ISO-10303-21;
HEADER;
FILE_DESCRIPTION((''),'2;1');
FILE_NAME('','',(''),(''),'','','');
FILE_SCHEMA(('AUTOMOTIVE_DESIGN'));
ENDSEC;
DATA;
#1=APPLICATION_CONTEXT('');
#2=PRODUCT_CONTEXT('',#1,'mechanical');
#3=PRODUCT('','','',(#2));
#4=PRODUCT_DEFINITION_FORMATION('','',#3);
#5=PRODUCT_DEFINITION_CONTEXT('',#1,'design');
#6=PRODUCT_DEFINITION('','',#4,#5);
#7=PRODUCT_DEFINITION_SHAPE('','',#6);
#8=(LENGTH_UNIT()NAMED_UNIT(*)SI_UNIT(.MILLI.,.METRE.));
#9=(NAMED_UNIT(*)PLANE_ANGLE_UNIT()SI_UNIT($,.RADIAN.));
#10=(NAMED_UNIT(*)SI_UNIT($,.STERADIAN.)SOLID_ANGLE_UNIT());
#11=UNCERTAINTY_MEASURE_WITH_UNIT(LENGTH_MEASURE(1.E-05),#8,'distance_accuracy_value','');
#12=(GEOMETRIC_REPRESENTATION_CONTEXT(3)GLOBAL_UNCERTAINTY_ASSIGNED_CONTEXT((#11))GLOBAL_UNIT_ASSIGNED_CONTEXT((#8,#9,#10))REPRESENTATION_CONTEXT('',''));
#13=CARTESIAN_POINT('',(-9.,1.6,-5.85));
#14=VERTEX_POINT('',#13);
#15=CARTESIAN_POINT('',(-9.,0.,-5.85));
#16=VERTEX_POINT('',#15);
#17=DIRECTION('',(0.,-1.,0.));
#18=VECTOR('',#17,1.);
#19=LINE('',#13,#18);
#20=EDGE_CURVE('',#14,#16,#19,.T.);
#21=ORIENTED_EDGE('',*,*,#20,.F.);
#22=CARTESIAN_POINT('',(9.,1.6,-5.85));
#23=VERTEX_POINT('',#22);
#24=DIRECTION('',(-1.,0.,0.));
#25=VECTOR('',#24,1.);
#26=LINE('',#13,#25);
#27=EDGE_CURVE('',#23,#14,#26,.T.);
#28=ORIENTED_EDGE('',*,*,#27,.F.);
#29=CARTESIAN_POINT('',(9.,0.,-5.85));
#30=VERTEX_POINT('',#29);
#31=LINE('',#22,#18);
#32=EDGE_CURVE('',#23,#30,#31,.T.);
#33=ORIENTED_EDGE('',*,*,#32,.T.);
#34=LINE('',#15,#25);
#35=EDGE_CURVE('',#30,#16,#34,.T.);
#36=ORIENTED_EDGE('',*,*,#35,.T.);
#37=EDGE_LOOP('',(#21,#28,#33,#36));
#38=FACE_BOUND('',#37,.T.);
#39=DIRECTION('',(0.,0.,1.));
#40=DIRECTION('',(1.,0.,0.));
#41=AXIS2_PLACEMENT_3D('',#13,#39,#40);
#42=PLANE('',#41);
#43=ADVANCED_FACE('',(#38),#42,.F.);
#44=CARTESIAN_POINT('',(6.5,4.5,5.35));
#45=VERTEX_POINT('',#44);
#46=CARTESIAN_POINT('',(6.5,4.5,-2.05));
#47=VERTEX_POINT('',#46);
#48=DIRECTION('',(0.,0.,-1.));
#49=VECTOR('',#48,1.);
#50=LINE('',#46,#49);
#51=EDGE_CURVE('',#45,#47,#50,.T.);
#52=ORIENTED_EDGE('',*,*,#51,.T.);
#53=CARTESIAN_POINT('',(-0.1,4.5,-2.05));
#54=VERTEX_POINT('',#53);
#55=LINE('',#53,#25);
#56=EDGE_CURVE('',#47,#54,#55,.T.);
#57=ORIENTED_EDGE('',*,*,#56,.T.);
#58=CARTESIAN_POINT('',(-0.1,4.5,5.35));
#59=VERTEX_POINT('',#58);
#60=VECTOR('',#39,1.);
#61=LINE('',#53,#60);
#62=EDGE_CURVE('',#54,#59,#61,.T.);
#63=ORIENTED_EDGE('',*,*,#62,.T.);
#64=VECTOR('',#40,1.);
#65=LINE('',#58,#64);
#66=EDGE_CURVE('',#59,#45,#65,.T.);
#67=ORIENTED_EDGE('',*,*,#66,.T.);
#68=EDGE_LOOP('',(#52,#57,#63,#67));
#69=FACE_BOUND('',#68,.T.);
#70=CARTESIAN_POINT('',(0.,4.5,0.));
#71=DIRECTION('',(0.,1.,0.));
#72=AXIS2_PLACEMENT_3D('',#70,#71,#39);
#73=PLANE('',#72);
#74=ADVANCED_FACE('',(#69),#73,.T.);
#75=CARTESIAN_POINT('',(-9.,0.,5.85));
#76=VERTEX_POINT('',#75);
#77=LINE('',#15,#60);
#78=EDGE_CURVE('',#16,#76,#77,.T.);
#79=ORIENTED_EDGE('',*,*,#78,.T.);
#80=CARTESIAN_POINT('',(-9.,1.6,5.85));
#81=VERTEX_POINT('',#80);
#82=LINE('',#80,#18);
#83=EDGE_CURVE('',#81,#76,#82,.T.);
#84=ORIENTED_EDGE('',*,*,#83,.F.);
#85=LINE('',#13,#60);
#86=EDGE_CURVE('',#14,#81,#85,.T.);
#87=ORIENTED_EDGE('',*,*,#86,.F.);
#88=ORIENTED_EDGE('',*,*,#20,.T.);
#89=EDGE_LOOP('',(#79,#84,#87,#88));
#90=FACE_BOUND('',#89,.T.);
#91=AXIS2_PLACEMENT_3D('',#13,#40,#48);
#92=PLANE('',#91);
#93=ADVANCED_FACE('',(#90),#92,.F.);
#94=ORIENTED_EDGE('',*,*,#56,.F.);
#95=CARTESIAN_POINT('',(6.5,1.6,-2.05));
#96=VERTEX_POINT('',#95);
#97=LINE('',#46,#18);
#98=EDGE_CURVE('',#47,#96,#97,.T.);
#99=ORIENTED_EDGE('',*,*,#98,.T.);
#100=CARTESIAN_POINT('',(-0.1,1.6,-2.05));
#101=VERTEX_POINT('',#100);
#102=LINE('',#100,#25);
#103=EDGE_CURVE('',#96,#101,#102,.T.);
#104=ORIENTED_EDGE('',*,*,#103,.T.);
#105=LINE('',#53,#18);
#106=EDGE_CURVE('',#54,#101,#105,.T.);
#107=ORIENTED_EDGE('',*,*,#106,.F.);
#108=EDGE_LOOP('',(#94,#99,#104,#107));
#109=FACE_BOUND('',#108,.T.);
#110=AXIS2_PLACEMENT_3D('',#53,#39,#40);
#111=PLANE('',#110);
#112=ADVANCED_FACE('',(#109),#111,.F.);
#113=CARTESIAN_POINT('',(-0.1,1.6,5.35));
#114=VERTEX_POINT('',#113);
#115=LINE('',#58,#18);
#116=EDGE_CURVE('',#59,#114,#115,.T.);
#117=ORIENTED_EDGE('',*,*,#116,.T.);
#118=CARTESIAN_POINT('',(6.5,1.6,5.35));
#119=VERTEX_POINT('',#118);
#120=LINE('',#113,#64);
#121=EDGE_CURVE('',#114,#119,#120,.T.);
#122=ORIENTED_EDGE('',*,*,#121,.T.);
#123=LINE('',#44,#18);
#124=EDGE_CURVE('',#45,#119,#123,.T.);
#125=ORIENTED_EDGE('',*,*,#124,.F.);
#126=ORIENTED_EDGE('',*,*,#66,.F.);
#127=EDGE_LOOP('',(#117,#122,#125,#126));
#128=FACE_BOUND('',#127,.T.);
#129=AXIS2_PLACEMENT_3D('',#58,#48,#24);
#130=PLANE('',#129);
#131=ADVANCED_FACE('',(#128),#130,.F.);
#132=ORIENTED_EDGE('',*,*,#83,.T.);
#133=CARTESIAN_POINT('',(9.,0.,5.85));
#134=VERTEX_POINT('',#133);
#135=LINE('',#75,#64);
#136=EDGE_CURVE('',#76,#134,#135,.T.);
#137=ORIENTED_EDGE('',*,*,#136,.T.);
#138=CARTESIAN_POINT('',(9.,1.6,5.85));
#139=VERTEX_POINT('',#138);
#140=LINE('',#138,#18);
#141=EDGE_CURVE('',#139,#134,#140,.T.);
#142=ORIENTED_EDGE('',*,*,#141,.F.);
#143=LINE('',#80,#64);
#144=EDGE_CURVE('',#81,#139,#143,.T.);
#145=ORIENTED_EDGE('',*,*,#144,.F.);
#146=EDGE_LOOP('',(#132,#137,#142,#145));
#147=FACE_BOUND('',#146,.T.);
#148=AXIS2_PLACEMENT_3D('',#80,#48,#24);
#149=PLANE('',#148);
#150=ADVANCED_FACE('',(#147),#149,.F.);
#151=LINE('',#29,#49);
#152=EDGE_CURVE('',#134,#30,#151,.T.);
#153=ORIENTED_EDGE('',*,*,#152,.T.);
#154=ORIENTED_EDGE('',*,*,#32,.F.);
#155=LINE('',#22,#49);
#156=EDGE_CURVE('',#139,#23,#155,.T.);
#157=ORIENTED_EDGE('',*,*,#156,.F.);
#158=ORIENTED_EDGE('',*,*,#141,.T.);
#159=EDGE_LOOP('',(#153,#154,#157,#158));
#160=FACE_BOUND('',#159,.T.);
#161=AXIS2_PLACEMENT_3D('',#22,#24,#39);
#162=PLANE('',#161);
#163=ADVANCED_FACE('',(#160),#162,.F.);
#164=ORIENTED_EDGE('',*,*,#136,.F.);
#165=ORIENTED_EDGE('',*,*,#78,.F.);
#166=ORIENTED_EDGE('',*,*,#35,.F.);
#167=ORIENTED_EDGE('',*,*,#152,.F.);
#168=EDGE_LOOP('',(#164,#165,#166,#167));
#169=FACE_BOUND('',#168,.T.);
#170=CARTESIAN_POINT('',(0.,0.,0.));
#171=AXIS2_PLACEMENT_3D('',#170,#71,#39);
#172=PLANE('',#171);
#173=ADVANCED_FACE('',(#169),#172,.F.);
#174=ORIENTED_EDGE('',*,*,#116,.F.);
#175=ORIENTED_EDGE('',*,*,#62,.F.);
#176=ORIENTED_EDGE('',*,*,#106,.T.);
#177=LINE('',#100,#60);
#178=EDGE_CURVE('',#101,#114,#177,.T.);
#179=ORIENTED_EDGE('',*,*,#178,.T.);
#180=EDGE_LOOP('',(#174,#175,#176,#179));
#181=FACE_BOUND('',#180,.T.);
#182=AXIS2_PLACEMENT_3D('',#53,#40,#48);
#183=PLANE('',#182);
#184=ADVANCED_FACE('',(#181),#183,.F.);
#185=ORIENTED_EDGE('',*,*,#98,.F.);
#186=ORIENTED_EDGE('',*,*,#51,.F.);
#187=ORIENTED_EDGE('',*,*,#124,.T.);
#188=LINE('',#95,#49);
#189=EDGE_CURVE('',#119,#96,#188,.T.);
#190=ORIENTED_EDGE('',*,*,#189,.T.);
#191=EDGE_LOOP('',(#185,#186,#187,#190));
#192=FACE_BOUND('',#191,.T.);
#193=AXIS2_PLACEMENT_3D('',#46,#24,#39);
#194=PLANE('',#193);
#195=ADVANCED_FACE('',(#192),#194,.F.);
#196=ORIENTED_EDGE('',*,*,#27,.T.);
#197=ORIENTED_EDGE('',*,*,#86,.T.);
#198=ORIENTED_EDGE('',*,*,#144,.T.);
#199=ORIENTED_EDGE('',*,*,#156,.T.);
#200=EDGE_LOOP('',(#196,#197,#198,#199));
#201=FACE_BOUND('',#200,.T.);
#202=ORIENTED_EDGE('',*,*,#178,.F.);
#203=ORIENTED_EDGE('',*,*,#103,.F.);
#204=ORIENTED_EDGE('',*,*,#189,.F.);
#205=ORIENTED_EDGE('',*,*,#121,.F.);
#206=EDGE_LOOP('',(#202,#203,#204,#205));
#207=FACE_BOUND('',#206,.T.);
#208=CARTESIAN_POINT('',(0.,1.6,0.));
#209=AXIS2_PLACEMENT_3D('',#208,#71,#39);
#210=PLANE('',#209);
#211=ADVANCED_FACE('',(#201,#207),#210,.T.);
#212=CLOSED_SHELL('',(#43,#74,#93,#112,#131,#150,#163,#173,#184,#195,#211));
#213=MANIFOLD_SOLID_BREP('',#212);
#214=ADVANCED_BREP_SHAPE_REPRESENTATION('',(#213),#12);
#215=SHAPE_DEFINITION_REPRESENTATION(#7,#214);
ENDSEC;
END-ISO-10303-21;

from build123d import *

# Parameters (mm, degrees)
SKETCH1_W           = 18
SKETCH1_H           = 11.7
BOSS_EXTRUDE1_DEPTH = 1.6
SKETCH2_W           = 6.6
SKETCH2_H           = 7.4
BOSS_EXTRUDE2_DEPTH = 2.9


with BuildPart() as part:
    # Sketch1 → Boss-Extrude1 (new body)
    with BuildSketch(Plane(origin=(0, 0, 0), x_dir=(1, 0, 0), z_dir=(0, 1, 0))):
        Rectangle(SKETCH1_W, SKETCH1_H)
    extrude(amount=BOSS_EXTRUDE1_DEPTH)

    # Sketch2 → Boss-Extrude2 (add)
    with BuildSketch(Plane(origin=(0, 1.6, 0), x_dir=(1, 0, 0), z_dir=(0, 1, 0))):
        with Locations((3.2, -1.65)):
            Rectangle(SKETCH2_W, SKETCH2_H)
    extrude(amount=BOSS_EXTRUDE2_DEPTH)


solid = part.part
